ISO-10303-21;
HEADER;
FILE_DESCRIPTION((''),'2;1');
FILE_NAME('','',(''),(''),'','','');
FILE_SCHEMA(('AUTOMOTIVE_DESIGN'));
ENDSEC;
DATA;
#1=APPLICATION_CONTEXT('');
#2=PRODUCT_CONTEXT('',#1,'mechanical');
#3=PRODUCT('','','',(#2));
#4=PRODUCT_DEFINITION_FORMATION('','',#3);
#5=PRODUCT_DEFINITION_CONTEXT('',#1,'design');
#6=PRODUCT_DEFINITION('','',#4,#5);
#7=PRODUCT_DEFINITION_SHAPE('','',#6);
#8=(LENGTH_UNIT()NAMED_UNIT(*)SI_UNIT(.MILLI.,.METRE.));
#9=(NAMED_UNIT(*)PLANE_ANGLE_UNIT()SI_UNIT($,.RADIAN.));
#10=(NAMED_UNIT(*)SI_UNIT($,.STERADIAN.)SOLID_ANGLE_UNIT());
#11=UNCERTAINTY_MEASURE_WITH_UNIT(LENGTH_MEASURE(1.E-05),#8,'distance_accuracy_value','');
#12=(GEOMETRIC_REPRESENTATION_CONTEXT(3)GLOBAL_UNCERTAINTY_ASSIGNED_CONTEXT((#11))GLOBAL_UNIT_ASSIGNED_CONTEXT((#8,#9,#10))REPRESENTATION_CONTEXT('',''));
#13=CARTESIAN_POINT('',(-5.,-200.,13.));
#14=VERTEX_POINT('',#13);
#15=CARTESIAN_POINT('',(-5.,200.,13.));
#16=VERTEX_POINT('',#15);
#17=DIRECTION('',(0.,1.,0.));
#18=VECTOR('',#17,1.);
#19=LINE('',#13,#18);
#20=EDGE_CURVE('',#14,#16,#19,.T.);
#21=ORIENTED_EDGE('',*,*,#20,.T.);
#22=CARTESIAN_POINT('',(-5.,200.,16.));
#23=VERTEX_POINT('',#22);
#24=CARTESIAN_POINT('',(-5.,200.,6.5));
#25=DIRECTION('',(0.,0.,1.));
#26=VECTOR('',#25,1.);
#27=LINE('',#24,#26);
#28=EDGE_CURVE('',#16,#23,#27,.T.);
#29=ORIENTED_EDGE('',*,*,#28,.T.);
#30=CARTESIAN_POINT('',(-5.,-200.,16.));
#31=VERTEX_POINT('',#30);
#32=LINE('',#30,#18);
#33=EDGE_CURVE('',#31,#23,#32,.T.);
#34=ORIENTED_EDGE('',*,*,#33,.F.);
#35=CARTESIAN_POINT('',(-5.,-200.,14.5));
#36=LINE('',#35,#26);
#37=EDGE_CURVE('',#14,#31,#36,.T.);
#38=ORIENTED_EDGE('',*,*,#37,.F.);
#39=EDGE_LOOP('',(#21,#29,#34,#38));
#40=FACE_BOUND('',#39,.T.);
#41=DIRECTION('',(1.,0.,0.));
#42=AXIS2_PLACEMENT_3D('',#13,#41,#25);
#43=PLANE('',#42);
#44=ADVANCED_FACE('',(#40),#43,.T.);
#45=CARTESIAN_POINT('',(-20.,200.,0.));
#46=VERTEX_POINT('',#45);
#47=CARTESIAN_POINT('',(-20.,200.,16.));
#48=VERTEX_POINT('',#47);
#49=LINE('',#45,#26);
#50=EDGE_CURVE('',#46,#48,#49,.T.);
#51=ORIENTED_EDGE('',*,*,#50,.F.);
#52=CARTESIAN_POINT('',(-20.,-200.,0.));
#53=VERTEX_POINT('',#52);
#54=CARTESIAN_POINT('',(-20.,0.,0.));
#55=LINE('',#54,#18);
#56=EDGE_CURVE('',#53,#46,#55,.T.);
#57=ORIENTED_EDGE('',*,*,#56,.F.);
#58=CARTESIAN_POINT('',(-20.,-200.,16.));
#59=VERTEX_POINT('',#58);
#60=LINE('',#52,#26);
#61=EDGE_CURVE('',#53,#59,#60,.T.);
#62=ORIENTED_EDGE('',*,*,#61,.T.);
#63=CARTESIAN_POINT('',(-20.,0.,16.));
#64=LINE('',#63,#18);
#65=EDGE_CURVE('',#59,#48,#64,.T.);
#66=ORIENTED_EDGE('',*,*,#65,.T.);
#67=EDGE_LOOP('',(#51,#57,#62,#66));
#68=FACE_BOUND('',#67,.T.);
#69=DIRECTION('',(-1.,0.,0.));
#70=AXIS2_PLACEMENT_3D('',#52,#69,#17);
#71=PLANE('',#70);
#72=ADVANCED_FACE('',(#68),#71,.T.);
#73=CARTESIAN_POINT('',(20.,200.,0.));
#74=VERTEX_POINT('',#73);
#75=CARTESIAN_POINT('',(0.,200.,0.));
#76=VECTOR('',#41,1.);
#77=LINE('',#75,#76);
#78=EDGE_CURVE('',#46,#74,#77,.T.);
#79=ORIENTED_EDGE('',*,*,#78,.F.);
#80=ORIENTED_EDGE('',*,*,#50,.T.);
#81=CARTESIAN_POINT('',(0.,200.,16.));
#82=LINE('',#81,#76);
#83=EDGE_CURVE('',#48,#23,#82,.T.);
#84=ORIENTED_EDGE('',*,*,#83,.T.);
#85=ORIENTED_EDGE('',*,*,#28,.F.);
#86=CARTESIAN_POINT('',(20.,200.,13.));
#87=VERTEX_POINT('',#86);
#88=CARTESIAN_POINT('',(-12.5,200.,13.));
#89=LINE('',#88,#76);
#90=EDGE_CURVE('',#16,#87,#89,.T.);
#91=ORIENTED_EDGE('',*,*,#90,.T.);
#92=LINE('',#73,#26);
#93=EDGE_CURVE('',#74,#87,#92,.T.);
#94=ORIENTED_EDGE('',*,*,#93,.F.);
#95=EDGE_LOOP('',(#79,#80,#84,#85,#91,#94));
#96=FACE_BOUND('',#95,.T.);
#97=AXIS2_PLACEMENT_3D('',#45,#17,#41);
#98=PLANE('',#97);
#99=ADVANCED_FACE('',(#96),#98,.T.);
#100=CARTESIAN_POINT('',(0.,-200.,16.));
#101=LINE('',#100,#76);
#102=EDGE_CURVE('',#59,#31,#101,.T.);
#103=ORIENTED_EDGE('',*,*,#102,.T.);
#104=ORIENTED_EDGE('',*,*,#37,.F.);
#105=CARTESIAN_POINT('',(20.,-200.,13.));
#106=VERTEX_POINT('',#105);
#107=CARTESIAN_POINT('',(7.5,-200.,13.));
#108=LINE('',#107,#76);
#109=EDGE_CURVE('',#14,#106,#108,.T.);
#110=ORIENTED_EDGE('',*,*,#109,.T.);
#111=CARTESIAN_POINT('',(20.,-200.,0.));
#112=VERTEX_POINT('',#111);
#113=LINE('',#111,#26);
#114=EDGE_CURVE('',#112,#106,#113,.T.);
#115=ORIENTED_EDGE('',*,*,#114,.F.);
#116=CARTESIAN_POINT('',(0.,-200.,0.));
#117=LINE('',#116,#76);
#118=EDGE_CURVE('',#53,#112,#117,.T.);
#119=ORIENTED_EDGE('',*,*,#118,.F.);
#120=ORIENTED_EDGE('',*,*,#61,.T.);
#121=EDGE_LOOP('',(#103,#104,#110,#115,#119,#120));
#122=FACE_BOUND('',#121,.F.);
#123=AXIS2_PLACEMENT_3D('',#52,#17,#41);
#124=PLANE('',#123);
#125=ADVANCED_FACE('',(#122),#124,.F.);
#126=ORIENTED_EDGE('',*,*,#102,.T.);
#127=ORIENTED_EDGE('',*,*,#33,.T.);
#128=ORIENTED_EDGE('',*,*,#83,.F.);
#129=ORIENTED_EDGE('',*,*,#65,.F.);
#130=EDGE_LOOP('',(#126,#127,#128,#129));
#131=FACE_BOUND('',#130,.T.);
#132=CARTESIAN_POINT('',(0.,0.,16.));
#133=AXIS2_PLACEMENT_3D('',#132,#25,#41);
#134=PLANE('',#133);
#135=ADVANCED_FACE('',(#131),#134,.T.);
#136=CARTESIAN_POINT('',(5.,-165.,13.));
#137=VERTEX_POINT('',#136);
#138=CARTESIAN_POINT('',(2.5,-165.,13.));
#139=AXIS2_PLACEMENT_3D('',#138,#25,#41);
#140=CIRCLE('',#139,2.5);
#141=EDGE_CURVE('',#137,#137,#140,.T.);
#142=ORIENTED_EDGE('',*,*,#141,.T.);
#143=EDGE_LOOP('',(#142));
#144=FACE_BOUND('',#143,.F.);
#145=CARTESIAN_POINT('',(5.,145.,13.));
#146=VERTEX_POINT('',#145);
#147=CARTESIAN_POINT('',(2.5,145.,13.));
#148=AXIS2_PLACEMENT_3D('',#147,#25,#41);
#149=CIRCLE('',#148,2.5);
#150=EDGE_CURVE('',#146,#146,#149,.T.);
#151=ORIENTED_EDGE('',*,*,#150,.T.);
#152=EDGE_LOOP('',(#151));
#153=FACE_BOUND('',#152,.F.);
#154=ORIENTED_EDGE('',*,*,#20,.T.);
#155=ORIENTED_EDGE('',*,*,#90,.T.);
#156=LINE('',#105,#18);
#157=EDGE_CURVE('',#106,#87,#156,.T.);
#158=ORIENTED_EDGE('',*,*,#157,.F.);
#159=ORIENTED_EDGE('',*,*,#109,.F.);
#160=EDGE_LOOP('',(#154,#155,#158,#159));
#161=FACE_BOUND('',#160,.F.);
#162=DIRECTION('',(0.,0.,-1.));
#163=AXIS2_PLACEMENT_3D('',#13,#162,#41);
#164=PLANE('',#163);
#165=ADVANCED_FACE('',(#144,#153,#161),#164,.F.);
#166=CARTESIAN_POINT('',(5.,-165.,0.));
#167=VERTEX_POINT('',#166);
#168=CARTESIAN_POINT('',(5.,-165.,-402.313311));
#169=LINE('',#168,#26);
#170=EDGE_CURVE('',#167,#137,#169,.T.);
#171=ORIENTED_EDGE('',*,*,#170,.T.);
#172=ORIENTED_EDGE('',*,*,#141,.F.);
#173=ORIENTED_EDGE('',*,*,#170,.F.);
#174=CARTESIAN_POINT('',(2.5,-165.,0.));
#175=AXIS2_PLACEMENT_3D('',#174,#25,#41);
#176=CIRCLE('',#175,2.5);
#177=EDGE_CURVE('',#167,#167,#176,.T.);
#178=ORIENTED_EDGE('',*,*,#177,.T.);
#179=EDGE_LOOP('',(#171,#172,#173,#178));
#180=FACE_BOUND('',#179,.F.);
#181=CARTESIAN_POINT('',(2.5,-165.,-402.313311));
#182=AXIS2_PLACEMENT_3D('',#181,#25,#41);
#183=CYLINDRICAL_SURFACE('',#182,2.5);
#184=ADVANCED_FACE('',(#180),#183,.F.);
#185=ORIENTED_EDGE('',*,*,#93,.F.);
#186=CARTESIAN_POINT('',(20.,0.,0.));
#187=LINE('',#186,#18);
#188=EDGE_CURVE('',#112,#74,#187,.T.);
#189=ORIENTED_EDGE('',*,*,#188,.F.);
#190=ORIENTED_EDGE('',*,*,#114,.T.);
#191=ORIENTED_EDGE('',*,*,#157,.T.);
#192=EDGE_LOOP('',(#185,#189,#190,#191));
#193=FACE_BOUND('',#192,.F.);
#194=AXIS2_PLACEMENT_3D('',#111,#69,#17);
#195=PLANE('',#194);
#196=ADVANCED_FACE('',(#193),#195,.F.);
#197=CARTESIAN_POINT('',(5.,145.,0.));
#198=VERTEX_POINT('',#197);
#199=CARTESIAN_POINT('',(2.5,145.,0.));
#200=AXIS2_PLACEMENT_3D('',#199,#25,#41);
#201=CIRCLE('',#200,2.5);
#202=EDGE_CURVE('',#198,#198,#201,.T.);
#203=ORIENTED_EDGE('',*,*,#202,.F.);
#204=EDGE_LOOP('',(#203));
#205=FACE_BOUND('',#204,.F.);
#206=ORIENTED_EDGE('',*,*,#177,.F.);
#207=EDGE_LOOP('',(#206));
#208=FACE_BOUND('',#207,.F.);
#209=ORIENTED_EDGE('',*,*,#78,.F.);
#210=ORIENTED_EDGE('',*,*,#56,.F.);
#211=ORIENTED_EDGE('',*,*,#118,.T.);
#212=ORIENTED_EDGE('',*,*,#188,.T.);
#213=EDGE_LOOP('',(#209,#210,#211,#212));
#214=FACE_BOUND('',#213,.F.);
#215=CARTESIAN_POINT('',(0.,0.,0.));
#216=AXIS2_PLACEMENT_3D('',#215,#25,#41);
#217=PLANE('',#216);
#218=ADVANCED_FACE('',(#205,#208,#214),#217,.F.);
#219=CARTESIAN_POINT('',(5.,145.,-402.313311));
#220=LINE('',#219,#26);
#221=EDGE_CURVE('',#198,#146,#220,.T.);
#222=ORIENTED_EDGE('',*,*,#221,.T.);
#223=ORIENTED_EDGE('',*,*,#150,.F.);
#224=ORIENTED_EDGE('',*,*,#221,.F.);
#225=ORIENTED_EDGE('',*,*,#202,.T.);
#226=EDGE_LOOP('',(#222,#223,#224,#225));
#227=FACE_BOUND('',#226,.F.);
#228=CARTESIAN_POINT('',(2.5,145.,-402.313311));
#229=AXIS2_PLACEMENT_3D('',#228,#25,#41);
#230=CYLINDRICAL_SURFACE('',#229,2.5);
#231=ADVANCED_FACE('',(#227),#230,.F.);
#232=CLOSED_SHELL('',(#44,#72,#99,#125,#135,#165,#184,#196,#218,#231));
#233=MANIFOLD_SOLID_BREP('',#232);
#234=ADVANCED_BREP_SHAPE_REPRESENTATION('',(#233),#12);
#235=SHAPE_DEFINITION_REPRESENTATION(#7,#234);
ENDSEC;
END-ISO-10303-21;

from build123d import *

# Parameters (mm, degrees)
SKETCH1_W         = 40
SKETCH1_H         = 400
EXTRUDE1_DEPTH    = 16
EXTRUDE2_REACH    = 402
SKETCH2_W         = 25
SKETCH2_H         = 3
M6_TAPPED_HOLE1_D = 5


with BuildPart() as part:
    # Sketch1 → Extrude1 (new body)
    with BuildSketch(Plane.XY):
        Rectangle(SKETCH1_W, SKETCH1_H)
    extrude(amount=EXTRUDE1_DEPTH)

    # Sketch2 → Extrude2 (cut, up to next)
    with BuildSketch(Plane.XZ.offset(200), mode=Mode.PRIVATE) as extrude2_sk1:
        with Locations((7.5, 14.5)):
            Rectangle(SKETCH2_W, SKETCH2_H)
    extrude2_tool1 = extrude(extrude2_sk1.sketch, amount=-EXTRUDE2_REACH, mode=Mode.PRIVATE) & part.part
    add(extrude2_tool1.solids().sort_by_distance((7.5, -200, 14.5))[0], mode=Mode.SUBTRACT)

    # M6 Tapped Hole1 (through all)
    with Locations(Plane(origin=(0, 0, 0), x_dir=(-1, 0, 0), z_dir=(0, 0, -1))):
        with Locations((-2.5, 145), (-2.5, -165)):
            Hole(M6_TAPPED_HOLE1_D / 2)


solid = part.part
